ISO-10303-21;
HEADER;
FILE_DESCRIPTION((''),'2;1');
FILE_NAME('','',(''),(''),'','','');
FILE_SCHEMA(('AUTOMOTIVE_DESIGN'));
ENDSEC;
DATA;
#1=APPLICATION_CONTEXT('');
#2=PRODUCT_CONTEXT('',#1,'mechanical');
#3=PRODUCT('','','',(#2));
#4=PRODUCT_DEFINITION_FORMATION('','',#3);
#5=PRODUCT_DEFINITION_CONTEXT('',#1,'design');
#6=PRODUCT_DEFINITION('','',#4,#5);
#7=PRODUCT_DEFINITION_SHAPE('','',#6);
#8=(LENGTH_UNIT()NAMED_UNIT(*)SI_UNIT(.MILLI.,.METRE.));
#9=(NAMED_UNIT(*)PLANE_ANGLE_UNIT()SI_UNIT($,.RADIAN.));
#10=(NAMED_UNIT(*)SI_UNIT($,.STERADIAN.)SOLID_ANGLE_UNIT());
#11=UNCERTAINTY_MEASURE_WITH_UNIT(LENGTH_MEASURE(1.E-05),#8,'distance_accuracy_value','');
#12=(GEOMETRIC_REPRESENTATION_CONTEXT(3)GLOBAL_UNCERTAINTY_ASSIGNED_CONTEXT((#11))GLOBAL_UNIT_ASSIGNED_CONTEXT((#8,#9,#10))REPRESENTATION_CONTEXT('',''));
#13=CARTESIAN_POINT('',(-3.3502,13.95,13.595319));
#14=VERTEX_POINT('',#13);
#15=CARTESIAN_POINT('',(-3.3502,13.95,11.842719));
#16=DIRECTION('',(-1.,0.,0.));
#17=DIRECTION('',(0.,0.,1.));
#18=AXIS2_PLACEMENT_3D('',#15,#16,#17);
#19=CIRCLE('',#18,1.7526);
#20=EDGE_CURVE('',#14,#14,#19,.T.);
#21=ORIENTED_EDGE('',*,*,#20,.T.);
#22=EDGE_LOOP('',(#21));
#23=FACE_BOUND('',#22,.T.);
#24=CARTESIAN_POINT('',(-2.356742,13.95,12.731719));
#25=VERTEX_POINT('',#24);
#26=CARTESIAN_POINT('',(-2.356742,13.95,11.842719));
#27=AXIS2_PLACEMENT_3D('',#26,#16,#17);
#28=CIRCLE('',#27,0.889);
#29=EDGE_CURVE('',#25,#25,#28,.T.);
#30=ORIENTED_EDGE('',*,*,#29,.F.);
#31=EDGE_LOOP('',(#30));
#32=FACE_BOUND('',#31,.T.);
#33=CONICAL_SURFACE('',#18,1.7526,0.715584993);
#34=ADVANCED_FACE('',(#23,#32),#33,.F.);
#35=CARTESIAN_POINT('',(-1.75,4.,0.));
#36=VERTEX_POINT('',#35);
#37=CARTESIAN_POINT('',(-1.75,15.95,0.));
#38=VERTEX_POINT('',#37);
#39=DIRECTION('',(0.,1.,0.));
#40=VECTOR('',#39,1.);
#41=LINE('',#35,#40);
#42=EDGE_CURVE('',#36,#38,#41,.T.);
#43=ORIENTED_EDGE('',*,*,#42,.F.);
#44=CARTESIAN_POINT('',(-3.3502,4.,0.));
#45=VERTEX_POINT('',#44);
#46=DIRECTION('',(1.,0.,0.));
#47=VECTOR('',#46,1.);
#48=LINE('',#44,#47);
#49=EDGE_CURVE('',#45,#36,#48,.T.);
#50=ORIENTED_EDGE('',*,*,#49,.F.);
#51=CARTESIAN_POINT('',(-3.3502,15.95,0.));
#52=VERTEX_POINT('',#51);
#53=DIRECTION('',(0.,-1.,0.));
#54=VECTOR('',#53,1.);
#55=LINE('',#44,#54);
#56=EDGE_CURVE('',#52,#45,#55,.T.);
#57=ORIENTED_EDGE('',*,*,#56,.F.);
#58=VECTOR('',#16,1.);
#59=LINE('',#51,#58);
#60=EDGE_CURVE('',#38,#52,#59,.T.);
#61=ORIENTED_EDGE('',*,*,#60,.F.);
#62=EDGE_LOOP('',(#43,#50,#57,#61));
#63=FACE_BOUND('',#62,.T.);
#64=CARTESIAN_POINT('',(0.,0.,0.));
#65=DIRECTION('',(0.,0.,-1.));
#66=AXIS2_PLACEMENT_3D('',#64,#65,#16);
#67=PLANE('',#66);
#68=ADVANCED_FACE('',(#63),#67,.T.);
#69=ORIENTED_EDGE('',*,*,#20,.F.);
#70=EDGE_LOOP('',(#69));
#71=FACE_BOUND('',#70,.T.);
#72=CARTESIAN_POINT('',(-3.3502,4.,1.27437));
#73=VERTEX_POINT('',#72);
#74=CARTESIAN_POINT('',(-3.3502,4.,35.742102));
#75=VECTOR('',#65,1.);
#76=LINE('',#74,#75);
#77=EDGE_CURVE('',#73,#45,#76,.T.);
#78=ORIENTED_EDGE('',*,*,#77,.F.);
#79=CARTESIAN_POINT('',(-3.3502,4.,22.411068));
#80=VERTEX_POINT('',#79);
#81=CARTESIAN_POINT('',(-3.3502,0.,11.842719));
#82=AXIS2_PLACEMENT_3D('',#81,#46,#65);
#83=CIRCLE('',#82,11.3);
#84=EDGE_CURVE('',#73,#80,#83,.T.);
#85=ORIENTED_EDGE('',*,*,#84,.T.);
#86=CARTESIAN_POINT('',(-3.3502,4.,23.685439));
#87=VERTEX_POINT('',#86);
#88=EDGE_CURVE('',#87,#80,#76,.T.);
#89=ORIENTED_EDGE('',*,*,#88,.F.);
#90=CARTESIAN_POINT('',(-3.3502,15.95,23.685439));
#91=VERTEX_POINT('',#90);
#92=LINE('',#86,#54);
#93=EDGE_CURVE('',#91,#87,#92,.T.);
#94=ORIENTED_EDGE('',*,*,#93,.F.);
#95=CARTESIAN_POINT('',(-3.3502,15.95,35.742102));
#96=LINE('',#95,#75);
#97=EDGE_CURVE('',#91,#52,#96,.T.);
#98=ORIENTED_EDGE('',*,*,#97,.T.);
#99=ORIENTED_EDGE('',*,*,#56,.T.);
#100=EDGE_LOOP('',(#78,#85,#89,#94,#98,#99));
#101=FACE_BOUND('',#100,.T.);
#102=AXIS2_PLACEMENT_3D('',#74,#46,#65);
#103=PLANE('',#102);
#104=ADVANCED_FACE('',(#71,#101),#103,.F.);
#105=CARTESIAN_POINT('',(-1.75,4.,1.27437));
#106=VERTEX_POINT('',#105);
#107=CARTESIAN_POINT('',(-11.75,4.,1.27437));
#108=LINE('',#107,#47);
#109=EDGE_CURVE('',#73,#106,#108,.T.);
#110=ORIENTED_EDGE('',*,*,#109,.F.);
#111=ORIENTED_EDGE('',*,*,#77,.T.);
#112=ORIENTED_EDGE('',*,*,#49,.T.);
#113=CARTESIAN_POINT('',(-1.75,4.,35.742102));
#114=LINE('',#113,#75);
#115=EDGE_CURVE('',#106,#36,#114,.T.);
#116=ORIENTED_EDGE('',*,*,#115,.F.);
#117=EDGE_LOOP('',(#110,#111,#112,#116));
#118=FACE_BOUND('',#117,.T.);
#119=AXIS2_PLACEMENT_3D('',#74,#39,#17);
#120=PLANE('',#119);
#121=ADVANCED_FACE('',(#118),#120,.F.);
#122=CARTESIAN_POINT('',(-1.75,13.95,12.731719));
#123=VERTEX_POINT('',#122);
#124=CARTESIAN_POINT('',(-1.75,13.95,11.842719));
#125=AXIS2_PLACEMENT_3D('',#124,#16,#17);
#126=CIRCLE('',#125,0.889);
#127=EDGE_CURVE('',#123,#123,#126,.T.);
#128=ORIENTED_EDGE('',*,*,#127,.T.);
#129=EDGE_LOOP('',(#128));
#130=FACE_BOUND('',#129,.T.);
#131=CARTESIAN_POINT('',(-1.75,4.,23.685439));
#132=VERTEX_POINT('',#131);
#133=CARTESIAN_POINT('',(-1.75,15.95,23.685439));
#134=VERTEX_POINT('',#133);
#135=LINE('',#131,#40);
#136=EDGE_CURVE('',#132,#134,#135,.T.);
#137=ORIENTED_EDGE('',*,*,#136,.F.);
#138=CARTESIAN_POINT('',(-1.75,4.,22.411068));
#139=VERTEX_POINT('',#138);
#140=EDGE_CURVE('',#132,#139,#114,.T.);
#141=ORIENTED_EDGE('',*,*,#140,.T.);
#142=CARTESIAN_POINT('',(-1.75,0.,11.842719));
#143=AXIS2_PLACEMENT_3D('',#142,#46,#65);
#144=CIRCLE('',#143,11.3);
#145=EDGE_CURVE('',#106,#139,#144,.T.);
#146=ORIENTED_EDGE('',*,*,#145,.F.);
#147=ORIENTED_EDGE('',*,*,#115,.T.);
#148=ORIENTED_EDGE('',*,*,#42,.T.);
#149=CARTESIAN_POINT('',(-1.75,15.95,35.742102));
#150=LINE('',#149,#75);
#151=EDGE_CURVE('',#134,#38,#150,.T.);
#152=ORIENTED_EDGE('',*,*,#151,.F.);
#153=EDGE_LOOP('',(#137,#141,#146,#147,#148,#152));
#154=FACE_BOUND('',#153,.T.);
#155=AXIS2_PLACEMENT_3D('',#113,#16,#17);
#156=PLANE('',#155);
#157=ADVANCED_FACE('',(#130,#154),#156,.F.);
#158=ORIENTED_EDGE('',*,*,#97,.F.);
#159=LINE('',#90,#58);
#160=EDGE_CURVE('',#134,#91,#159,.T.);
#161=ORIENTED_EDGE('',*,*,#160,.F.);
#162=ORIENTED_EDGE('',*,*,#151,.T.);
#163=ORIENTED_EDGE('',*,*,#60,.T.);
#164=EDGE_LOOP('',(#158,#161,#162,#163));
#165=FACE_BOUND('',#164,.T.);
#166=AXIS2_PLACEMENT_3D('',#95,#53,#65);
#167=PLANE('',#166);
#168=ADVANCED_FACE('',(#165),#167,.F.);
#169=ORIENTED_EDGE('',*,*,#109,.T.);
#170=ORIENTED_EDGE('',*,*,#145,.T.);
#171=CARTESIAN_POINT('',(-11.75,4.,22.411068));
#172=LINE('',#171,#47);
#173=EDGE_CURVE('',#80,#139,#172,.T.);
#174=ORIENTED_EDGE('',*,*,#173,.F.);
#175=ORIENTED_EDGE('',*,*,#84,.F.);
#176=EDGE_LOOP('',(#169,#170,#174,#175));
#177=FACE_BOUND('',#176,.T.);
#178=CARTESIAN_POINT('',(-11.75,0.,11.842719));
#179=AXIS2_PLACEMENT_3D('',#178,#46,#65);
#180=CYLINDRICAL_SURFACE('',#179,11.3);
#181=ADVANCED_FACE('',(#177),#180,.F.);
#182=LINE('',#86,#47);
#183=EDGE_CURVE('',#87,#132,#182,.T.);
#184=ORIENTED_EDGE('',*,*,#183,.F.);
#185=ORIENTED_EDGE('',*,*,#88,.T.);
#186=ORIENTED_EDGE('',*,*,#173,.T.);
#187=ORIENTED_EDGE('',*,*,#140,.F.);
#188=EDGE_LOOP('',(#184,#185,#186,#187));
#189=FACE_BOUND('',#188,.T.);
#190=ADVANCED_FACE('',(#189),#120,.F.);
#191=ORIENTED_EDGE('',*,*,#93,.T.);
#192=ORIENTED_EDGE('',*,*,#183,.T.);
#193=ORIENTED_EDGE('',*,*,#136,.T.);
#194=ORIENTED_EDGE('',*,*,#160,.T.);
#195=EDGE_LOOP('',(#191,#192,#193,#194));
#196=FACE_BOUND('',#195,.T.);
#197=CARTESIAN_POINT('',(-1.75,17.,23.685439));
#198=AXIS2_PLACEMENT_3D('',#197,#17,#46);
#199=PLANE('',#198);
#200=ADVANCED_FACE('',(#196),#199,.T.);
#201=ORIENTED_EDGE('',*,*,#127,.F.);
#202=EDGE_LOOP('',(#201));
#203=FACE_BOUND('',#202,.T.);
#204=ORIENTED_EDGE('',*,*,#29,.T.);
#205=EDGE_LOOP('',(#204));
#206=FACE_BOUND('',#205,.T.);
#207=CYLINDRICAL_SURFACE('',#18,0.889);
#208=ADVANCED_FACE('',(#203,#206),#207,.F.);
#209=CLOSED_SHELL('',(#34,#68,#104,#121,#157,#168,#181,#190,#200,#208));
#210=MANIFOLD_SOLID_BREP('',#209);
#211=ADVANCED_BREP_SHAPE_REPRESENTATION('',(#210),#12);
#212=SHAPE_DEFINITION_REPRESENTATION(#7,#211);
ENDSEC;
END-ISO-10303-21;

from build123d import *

# Parameters (mm, degrees)
SKETCH1_W                                         = 1.6002
SKETCH1_H                                         = 11.95
BOSS_EXTRUDE1_DEPTH                               = 23.685439
CUT_EXTRUDE1_DEPTH                                = 10
CSK_FOR_0_FLAT_HEAD_SOCKET_CAP_SCREW1_D           = 1.778
CSK_FOR_0_FLAT_HEAD_SOCKET_CAP_SCREW1_DEPTH       = 3
CSK_FOR_0_FLAT_HEAD_SOCKET_CAP_SCREW1_CSINK_D     = 3.5052
CSK_FOR_0_FLAT_HEAD_SOCKET_CAP_SCREW1_CSINK_ANGLE = 82
CSK_FOR_0_FLAT_HEAD_SOCKET_CAP_SCREW1_TIP         = 0.53416509


with BuildPart() as part:
    # Sketch1 → Boss-Extrude1 (new body)
    with BuildSketch(Plane.XY):
        with Locations((-2.5501, 9.975)):
            Rectangle(SKETCH1_W, SKETCH1_H)
    extrude(amount=BOSS_EXTRUDE1_DEPTH)

    # Sketch2 → Cut-Extrude1 (cut)
    with BuildSketch(Plane(origin=(-1.75, 0, 0), x_dir=(0, 0, -1), z_dir=(1, 0, 0))):
        with BuildLine():
            Line((-22.411068255, 4), (-1.27437031, 4))
            ThreePointArc((-1.27437031, 4), (-11.842719282, 11.3), (-22.411068255, 4))
        make_face()
    extrude(amount=-CUT_EXTRUDE1_DEPTH, mode=Mode.SUBTRACT)

    # CSK for #0 Flat Head Socket Cap Screw1
    with Locations(Plane.ZY.offset(3.3502)):
        with Locations((11.842719282, 13.95)):
            CounterSinkHole(CSK_FOR_0_FLAT_HEAD_SOCKET_CAP_SCREW1_D / 2, CSK_FOR_0_FLAT_HEAD_SOCKET_CAP_SCREW1_CSINK_D / 2, depth=CSK_FOR_0_FLAT_HEAD_SOCKET_CAP_SCREW1_DEPTH, counter_sink_angle=CSK_FOR_0_FLAT_HEAD_SOCKET_CAP_SCREW1_CSINK_ANGLE)
            with Locations((0, 0, -(CSK_FOR_0_FLAT_HEAD_SOCKET_CAP_SCREW1_DEPTH + CSK_FOR_0_FLAT_HEAD_SOCKET_CAP_SCREW1_TIP / 2))):  # 118° drill point
                Cone(0, CSK_FOR_0_FLAT_HEAD_SOCKET_CAP_SCREW1_D / 2, CSK_FOR_0_FLAT_HEAD_SOCKET_CAP_SCREW1_TIP, mode=Mode.SUBTRACT)


solid = part.part
